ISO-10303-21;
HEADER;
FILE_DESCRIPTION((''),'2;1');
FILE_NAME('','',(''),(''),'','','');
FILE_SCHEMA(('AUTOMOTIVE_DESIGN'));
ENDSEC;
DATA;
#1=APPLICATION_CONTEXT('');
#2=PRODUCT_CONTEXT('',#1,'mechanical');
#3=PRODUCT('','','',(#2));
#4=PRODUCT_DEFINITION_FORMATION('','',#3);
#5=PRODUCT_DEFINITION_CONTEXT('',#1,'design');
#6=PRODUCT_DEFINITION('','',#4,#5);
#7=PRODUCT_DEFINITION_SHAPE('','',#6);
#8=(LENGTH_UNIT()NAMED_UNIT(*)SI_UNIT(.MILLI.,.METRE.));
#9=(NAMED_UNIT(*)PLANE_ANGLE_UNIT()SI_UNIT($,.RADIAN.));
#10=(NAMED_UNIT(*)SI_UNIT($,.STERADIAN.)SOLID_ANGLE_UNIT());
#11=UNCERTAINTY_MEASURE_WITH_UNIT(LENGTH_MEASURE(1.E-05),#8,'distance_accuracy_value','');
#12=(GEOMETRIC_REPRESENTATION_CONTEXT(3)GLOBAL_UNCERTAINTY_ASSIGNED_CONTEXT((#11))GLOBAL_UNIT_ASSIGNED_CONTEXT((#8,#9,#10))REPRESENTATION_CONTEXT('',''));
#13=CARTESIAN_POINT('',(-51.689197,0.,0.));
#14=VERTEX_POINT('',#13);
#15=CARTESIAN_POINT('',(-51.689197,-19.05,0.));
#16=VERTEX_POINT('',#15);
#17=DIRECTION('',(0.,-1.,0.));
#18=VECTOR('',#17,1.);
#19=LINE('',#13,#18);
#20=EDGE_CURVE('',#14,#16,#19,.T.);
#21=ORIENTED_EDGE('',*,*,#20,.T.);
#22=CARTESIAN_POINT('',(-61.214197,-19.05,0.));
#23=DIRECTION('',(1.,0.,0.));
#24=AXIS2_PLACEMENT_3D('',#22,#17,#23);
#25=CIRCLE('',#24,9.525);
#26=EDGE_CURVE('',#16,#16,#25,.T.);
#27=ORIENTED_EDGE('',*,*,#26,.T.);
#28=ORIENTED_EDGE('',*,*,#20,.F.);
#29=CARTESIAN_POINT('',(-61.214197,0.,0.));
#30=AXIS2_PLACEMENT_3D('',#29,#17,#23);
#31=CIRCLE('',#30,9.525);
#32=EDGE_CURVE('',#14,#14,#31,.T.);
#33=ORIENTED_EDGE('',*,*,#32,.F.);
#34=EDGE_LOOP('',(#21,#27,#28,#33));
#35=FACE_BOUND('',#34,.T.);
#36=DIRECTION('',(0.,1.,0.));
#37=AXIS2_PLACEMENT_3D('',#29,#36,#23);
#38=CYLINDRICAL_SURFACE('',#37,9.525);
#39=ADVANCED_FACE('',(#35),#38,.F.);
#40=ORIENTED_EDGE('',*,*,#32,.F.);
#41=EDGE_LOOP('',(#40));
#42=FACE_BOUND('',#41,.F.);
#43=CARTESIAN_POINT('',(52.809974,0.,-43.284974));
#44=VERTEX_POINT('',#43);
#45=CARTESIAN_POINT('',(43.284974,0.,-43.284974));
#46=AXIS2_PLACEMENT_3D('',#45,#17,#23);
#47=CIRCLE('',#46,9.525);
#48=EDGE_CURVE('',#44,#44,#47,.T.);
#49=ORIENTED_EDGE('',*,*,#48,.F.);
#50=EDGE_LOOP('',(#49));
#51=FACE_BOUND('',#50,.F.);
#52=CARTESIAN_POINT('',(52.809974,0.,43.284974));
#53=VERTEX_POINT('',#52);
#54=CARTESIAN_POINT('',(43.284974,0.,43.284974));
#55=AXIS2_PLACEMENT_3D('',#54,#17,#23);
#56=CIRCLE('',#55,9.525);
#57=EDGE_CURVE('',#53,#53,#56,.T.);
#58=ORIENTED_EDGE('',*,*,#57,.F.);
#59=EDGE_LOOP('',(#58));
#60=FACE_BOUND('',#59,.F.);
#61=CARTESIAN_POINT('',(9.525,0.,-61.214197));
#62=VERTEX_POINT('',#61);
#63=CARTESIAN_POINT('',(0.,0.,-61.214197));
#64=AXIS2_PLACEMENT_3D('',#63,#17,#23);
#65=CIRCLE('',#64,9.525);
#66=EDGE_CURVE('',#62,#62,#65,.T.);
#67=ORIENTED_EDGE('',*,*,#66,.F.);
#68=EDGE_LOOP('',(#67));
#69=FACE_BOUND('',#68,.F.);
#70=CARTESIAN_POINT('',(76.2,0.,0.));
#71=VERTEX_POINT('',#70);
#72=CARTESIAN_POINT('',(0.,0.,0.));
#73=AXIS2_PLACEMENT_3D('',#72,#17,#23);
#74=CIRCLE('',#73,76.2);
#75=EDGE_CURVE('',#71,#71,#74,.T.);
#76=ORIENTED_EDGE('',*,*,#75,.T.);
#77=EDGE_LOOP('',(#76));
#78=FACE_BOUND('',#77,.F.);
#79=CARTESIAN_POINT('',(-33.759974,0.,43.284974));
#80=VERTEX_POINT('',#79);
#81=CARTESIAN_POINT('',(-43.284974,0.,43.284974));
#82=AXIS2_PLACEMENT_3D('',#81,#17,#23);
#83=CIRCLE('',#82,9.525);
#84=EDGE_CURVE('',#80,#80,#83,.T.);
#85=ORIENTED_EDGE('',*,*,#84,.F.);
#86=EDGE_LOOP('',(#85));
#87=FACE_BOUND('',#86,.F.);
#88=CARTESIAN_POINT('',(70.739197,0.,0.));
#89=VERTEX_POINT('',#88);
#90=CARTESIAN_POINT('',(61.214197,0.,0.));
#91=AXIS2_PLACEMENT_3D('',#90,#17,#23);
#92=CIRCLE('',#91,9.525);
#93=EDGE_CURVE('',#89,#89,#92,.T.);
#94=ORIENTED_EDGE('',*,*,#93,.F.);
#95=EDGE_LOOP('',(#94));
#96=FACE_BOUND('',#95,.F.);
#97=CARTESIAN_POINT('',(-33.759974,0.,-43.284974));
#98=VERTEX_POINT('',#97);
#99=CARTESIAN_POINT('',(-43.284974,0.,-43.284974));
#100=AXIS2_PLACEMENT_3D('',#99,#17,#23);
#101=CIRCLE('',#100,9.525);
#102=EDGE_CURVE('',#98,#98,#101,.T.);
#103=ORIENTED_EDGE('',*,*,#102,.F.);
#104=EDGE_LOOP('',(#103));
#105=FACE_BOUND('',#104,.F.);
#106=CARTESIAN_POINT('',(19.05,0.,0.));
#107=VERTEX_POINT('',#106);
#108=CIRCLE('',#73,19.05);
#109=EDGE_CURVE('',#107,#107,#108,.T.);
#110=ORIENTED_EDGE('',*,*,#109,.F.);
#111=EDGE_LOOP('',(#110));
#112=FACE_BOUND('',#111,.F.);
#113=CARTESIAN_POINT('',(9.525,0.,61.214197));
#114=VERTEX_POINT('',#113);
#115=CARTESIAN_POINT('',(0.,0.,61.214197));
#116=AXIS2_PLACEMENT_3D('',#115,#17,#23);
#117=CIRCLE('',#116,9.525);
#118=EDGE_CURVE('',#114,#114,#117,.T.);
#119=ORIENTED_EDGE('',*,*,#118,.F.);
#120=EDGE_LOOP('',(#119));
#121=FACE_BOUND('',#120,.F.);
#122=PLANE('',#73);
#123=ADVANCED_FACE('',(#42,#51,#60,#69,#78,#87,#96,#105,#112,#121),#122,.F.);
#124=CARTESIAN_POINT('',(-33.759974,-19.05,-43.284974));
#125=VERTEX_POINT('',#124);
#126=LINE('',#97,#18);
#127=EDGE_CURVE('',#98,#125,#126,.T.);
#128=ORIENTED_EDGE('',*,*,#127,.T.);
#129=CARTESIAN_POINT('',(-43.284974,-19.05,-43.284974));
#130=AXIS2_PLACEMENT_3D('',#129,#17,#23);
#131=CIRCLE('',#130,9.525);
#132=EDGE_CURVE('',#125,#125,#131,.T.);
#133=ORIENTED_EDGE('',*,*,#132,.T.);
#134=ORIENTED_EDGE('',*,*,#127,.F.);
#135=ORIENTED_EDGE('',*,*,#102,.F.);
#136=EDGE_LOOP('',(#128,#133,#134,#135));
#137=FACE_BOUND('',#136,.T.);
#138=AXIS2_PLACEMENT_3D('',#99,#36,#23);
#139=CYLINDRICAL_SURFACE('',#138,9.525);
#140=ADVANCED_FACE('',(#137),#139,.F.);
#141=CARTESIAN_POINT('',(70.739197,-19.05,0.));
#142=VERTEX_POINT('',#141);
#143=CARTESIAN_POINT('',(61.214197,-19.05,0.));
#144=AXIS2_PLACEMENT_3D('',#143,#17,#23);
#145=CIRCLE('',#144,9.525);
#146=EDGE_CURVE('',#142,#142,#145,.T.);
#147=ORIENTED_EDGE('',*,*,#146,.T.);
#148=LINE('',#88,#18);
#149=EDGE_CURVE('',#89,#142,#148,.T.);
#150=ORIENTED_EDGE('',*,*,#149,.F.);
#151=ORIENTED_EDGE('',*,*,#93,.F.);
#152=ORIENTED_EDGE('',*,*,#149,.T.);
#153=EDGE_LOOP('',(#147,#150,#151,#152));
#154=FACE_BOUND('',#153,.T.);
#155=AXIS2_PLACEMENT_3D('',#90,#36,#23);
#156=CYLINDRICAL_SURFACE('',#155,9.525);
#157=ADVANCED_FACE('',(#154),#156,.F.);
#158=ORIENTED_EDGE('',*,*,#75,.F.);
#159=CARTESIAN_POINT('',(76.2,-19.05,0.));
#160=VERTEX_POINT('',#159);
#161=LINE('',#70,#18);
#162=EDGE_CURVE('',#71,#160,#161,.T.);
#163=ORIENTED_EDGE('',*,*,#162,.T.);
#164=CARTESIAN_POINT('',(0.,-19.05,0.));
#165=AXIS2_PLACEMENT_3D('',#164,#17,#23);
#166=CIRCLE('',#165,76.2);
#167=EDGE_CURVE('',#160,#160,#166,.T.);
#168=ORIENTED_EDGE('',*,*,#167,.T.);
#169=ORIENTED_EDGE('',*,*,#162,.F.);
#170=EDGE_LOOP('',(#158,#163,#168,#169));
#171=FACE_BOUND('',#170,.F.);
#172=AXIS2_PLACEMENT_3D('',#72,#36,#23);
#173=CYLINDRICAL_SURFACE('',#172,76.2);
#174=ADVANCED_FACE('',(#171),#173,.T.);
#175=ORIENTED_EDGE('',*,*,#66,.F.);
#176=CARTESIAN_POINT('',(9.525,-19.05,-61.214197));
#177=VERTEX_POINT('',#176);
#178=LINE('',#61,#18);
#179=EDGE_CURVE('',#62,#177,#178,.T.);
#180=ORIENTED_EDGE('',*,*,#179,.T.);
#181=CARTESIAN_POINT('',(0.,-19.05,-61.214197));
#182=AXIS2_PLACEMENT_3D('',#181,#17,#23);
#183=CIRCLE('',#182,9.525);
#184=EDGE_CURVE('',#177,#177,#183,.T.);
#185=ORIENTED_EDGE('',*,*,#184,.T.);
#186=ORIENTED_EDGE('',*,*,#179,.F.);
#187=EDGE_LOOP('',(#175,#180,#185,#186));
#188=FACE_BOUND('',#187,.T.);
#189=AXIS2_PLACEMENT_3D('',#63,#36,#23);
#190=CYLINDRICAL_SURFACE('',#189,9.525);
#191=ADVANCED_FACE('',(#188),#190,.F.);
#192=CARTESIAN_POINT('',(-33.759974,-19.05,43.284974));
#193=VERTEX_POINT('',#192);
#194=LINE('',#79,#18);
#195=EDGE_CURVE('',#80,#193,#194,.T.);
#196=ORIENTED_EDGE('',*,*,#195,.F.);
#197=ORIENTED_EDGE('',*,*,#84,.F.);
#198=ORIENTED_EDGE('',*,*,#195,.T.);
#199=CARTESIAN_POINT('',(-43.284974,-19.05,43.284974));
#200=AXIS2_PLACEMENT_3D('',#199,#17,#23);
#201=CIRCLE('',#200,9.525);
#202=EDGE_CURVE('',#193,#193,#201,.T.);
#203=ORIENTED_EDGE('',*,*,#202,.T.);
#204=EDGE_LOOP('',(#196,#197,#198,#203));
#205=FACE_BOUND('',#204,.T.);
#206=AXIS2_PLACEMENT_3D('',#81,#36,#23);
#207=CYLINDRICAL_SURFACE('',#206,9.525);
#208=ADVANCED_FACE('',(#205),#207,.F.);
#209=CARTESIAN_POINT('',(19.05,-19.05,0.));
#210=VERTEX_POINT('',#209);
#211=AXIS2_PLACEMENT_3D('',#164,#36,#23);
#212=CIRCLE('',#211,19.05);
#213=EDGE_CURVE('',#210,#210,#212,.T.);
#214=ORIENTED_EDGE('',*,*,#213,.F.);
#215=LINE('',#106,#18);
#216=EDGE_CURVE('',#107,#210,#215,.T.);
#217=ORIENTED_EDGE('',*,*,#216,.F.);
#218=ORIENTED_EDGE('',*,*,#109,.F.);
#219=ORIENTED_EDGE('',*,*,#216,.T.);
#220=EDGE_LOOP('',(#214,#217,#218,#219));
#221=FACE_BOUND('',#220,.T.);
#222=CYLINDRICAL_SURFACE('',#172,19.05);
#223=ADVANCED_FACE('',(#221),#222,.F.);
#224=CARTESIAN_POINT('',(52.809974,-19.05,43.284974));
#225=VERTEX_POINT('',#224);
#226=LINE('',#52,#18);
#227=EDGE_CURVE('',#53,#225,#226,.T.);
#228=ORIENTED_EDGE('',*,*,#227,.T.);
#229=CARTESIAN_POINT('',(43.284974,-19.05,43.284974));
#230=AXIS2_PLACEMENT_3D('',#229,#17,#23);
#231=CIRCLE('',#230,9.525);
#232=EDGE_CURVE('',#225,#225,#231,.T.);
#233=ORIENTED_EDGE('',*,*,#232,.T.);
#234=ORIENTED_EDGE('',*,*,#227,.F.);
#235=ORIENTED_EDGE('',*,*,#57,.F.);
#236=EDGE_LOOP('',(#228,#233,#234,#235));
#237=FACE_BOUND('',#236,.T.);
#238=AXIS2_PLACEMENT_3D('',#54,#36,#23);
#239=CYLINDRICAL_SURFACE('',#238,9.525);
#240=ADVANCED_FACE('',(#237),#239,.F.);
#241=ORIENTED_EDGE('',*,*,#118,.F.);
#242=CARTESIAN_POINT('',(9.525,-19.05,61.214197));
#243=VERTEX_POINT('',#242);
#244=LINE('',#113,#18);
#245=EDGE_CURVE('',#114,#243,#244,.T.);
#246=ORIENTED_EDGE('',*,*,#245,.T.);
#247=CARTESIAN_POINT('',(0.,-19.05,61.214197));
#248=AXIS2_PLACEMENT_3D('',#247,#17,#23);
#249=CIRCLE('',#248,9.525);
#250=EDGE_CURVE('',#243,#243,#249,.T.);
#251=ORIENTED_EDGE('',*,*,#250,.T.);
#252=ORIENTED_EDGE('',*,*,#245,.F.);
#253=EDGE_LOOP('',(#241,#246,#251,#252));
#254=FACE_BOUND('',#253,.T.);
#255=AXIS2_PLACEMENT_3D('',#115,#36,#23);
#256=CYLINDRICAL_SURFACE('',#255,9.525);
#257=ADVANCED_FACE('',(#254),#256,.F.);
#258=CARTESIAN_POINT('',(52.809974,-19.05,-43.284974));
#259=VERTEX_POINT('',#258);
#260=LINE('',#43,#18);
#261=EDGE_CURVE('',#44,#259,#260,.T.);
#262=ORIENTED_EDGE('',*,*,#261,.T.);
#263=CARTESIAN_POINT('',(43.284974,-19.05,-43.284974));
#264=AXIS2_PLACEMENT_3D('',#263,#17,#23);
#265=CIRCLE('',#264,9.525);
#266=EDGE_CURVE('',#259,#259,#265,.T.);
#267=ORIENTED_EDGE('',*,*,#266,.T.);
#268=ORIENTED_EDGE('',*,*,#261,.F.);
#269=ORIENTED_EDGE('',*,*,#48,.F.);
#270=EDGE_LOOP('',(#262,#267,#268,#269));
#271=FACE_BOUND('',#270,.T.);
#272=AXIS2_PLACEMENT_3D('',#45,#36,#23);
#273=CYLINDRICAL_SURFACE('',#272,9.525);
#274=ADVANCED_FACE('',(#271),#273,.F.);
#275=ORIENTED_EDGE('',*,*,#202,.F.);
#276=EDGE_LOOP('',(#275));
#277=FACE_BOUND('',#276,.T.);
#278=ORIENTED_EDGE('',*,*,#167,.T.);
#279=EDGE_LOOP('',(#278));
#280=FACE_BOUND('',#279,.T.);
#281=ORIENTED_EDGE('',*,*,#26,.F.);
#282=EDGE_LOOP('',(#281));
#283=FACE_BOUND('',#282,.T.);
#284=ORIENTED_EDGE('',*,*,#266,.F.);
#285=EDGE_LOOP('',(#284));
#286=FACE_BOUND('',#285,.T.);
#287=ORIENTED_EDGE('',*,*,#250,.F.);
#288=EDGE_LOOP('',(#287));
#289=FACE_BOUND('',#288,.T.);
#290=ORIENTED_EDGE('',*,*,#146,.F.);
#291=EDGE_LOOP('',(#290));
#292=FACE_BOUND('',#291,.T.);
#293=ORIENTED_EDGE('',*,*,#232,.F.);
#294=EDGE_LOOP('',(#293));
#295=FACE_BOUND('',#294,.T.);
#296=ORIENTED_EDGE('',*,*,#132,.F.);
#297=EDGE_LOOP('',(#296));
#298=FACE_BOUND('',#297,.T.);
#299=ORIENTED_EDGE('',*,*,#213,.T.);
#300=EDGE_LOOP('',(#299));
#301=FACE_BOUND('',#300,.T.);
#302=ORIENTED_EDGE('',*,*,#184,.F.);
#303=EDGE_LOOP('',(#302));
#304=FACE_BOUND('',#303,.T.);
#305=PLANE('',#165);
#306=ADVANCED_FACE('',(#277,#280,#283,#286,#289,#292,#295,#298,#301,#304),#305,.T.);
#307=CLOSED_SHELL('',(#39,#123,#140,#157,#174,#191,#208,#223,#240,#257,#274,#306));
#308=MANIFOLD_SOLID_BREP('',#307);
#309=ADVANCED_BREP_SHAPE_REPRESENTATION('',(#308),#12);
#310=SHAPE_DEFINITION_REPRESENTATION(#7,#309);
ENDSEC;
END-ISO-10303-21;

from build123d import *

# Parameters (mm, degrees)
F0_R     = 76.2
F0_R_2   = 9.525
F1_DEPTH = 19.05
F2_R     = 19.05
F3_DEPTH = 25.4


with BuildPart() as f1:
    # F0 (on Front) → F1 (new body)
    with BuildSketch(Plane.XZ):
        Circle(F0_R)
        with Locations((-43.284974, -43.284974)):
            Circle(F0_R_2, mode=Mode.SUBTRACT)
        with Locations((0, -61.214197)):
            Circle(F0_R_2, mode=Mode.SUBTRACT)
        with Locations((43.284974, -43.284974)):
            Circle(F0_R_2, mode=Mode.SUBTRACT)
        with Locations((-61.214197, 0)):
            Circle(F0_R_2, mode=Mode.SUBTRACT)
        with Locations((-43.284974, 43.284974)):
            Circle(F0_R_2, mode=Mode.SUBTRACT)
        with Locations((61.214197, 0)):
            Circle(F0_R_2, mode=Mode.SUBTRACT)
        with Locations((0, 61.214197)):
            Circle(F0_R_2, mode=Mode.SUBTRACT)
        with Locations((43.284974, 43.284974)):
            Circle(F0_R_2, mode=Mode.SUBTRACT)
    extrude(amount=F1_DEPTH)

    # F2 (on Front) → F3 (cut)
    with BuildSketch(Plane.XZ):
        Circle(F2_R)
    extrude(amount=F3_DEPTH, mode=Mode.SUBTRACT)


solid = f1.part
